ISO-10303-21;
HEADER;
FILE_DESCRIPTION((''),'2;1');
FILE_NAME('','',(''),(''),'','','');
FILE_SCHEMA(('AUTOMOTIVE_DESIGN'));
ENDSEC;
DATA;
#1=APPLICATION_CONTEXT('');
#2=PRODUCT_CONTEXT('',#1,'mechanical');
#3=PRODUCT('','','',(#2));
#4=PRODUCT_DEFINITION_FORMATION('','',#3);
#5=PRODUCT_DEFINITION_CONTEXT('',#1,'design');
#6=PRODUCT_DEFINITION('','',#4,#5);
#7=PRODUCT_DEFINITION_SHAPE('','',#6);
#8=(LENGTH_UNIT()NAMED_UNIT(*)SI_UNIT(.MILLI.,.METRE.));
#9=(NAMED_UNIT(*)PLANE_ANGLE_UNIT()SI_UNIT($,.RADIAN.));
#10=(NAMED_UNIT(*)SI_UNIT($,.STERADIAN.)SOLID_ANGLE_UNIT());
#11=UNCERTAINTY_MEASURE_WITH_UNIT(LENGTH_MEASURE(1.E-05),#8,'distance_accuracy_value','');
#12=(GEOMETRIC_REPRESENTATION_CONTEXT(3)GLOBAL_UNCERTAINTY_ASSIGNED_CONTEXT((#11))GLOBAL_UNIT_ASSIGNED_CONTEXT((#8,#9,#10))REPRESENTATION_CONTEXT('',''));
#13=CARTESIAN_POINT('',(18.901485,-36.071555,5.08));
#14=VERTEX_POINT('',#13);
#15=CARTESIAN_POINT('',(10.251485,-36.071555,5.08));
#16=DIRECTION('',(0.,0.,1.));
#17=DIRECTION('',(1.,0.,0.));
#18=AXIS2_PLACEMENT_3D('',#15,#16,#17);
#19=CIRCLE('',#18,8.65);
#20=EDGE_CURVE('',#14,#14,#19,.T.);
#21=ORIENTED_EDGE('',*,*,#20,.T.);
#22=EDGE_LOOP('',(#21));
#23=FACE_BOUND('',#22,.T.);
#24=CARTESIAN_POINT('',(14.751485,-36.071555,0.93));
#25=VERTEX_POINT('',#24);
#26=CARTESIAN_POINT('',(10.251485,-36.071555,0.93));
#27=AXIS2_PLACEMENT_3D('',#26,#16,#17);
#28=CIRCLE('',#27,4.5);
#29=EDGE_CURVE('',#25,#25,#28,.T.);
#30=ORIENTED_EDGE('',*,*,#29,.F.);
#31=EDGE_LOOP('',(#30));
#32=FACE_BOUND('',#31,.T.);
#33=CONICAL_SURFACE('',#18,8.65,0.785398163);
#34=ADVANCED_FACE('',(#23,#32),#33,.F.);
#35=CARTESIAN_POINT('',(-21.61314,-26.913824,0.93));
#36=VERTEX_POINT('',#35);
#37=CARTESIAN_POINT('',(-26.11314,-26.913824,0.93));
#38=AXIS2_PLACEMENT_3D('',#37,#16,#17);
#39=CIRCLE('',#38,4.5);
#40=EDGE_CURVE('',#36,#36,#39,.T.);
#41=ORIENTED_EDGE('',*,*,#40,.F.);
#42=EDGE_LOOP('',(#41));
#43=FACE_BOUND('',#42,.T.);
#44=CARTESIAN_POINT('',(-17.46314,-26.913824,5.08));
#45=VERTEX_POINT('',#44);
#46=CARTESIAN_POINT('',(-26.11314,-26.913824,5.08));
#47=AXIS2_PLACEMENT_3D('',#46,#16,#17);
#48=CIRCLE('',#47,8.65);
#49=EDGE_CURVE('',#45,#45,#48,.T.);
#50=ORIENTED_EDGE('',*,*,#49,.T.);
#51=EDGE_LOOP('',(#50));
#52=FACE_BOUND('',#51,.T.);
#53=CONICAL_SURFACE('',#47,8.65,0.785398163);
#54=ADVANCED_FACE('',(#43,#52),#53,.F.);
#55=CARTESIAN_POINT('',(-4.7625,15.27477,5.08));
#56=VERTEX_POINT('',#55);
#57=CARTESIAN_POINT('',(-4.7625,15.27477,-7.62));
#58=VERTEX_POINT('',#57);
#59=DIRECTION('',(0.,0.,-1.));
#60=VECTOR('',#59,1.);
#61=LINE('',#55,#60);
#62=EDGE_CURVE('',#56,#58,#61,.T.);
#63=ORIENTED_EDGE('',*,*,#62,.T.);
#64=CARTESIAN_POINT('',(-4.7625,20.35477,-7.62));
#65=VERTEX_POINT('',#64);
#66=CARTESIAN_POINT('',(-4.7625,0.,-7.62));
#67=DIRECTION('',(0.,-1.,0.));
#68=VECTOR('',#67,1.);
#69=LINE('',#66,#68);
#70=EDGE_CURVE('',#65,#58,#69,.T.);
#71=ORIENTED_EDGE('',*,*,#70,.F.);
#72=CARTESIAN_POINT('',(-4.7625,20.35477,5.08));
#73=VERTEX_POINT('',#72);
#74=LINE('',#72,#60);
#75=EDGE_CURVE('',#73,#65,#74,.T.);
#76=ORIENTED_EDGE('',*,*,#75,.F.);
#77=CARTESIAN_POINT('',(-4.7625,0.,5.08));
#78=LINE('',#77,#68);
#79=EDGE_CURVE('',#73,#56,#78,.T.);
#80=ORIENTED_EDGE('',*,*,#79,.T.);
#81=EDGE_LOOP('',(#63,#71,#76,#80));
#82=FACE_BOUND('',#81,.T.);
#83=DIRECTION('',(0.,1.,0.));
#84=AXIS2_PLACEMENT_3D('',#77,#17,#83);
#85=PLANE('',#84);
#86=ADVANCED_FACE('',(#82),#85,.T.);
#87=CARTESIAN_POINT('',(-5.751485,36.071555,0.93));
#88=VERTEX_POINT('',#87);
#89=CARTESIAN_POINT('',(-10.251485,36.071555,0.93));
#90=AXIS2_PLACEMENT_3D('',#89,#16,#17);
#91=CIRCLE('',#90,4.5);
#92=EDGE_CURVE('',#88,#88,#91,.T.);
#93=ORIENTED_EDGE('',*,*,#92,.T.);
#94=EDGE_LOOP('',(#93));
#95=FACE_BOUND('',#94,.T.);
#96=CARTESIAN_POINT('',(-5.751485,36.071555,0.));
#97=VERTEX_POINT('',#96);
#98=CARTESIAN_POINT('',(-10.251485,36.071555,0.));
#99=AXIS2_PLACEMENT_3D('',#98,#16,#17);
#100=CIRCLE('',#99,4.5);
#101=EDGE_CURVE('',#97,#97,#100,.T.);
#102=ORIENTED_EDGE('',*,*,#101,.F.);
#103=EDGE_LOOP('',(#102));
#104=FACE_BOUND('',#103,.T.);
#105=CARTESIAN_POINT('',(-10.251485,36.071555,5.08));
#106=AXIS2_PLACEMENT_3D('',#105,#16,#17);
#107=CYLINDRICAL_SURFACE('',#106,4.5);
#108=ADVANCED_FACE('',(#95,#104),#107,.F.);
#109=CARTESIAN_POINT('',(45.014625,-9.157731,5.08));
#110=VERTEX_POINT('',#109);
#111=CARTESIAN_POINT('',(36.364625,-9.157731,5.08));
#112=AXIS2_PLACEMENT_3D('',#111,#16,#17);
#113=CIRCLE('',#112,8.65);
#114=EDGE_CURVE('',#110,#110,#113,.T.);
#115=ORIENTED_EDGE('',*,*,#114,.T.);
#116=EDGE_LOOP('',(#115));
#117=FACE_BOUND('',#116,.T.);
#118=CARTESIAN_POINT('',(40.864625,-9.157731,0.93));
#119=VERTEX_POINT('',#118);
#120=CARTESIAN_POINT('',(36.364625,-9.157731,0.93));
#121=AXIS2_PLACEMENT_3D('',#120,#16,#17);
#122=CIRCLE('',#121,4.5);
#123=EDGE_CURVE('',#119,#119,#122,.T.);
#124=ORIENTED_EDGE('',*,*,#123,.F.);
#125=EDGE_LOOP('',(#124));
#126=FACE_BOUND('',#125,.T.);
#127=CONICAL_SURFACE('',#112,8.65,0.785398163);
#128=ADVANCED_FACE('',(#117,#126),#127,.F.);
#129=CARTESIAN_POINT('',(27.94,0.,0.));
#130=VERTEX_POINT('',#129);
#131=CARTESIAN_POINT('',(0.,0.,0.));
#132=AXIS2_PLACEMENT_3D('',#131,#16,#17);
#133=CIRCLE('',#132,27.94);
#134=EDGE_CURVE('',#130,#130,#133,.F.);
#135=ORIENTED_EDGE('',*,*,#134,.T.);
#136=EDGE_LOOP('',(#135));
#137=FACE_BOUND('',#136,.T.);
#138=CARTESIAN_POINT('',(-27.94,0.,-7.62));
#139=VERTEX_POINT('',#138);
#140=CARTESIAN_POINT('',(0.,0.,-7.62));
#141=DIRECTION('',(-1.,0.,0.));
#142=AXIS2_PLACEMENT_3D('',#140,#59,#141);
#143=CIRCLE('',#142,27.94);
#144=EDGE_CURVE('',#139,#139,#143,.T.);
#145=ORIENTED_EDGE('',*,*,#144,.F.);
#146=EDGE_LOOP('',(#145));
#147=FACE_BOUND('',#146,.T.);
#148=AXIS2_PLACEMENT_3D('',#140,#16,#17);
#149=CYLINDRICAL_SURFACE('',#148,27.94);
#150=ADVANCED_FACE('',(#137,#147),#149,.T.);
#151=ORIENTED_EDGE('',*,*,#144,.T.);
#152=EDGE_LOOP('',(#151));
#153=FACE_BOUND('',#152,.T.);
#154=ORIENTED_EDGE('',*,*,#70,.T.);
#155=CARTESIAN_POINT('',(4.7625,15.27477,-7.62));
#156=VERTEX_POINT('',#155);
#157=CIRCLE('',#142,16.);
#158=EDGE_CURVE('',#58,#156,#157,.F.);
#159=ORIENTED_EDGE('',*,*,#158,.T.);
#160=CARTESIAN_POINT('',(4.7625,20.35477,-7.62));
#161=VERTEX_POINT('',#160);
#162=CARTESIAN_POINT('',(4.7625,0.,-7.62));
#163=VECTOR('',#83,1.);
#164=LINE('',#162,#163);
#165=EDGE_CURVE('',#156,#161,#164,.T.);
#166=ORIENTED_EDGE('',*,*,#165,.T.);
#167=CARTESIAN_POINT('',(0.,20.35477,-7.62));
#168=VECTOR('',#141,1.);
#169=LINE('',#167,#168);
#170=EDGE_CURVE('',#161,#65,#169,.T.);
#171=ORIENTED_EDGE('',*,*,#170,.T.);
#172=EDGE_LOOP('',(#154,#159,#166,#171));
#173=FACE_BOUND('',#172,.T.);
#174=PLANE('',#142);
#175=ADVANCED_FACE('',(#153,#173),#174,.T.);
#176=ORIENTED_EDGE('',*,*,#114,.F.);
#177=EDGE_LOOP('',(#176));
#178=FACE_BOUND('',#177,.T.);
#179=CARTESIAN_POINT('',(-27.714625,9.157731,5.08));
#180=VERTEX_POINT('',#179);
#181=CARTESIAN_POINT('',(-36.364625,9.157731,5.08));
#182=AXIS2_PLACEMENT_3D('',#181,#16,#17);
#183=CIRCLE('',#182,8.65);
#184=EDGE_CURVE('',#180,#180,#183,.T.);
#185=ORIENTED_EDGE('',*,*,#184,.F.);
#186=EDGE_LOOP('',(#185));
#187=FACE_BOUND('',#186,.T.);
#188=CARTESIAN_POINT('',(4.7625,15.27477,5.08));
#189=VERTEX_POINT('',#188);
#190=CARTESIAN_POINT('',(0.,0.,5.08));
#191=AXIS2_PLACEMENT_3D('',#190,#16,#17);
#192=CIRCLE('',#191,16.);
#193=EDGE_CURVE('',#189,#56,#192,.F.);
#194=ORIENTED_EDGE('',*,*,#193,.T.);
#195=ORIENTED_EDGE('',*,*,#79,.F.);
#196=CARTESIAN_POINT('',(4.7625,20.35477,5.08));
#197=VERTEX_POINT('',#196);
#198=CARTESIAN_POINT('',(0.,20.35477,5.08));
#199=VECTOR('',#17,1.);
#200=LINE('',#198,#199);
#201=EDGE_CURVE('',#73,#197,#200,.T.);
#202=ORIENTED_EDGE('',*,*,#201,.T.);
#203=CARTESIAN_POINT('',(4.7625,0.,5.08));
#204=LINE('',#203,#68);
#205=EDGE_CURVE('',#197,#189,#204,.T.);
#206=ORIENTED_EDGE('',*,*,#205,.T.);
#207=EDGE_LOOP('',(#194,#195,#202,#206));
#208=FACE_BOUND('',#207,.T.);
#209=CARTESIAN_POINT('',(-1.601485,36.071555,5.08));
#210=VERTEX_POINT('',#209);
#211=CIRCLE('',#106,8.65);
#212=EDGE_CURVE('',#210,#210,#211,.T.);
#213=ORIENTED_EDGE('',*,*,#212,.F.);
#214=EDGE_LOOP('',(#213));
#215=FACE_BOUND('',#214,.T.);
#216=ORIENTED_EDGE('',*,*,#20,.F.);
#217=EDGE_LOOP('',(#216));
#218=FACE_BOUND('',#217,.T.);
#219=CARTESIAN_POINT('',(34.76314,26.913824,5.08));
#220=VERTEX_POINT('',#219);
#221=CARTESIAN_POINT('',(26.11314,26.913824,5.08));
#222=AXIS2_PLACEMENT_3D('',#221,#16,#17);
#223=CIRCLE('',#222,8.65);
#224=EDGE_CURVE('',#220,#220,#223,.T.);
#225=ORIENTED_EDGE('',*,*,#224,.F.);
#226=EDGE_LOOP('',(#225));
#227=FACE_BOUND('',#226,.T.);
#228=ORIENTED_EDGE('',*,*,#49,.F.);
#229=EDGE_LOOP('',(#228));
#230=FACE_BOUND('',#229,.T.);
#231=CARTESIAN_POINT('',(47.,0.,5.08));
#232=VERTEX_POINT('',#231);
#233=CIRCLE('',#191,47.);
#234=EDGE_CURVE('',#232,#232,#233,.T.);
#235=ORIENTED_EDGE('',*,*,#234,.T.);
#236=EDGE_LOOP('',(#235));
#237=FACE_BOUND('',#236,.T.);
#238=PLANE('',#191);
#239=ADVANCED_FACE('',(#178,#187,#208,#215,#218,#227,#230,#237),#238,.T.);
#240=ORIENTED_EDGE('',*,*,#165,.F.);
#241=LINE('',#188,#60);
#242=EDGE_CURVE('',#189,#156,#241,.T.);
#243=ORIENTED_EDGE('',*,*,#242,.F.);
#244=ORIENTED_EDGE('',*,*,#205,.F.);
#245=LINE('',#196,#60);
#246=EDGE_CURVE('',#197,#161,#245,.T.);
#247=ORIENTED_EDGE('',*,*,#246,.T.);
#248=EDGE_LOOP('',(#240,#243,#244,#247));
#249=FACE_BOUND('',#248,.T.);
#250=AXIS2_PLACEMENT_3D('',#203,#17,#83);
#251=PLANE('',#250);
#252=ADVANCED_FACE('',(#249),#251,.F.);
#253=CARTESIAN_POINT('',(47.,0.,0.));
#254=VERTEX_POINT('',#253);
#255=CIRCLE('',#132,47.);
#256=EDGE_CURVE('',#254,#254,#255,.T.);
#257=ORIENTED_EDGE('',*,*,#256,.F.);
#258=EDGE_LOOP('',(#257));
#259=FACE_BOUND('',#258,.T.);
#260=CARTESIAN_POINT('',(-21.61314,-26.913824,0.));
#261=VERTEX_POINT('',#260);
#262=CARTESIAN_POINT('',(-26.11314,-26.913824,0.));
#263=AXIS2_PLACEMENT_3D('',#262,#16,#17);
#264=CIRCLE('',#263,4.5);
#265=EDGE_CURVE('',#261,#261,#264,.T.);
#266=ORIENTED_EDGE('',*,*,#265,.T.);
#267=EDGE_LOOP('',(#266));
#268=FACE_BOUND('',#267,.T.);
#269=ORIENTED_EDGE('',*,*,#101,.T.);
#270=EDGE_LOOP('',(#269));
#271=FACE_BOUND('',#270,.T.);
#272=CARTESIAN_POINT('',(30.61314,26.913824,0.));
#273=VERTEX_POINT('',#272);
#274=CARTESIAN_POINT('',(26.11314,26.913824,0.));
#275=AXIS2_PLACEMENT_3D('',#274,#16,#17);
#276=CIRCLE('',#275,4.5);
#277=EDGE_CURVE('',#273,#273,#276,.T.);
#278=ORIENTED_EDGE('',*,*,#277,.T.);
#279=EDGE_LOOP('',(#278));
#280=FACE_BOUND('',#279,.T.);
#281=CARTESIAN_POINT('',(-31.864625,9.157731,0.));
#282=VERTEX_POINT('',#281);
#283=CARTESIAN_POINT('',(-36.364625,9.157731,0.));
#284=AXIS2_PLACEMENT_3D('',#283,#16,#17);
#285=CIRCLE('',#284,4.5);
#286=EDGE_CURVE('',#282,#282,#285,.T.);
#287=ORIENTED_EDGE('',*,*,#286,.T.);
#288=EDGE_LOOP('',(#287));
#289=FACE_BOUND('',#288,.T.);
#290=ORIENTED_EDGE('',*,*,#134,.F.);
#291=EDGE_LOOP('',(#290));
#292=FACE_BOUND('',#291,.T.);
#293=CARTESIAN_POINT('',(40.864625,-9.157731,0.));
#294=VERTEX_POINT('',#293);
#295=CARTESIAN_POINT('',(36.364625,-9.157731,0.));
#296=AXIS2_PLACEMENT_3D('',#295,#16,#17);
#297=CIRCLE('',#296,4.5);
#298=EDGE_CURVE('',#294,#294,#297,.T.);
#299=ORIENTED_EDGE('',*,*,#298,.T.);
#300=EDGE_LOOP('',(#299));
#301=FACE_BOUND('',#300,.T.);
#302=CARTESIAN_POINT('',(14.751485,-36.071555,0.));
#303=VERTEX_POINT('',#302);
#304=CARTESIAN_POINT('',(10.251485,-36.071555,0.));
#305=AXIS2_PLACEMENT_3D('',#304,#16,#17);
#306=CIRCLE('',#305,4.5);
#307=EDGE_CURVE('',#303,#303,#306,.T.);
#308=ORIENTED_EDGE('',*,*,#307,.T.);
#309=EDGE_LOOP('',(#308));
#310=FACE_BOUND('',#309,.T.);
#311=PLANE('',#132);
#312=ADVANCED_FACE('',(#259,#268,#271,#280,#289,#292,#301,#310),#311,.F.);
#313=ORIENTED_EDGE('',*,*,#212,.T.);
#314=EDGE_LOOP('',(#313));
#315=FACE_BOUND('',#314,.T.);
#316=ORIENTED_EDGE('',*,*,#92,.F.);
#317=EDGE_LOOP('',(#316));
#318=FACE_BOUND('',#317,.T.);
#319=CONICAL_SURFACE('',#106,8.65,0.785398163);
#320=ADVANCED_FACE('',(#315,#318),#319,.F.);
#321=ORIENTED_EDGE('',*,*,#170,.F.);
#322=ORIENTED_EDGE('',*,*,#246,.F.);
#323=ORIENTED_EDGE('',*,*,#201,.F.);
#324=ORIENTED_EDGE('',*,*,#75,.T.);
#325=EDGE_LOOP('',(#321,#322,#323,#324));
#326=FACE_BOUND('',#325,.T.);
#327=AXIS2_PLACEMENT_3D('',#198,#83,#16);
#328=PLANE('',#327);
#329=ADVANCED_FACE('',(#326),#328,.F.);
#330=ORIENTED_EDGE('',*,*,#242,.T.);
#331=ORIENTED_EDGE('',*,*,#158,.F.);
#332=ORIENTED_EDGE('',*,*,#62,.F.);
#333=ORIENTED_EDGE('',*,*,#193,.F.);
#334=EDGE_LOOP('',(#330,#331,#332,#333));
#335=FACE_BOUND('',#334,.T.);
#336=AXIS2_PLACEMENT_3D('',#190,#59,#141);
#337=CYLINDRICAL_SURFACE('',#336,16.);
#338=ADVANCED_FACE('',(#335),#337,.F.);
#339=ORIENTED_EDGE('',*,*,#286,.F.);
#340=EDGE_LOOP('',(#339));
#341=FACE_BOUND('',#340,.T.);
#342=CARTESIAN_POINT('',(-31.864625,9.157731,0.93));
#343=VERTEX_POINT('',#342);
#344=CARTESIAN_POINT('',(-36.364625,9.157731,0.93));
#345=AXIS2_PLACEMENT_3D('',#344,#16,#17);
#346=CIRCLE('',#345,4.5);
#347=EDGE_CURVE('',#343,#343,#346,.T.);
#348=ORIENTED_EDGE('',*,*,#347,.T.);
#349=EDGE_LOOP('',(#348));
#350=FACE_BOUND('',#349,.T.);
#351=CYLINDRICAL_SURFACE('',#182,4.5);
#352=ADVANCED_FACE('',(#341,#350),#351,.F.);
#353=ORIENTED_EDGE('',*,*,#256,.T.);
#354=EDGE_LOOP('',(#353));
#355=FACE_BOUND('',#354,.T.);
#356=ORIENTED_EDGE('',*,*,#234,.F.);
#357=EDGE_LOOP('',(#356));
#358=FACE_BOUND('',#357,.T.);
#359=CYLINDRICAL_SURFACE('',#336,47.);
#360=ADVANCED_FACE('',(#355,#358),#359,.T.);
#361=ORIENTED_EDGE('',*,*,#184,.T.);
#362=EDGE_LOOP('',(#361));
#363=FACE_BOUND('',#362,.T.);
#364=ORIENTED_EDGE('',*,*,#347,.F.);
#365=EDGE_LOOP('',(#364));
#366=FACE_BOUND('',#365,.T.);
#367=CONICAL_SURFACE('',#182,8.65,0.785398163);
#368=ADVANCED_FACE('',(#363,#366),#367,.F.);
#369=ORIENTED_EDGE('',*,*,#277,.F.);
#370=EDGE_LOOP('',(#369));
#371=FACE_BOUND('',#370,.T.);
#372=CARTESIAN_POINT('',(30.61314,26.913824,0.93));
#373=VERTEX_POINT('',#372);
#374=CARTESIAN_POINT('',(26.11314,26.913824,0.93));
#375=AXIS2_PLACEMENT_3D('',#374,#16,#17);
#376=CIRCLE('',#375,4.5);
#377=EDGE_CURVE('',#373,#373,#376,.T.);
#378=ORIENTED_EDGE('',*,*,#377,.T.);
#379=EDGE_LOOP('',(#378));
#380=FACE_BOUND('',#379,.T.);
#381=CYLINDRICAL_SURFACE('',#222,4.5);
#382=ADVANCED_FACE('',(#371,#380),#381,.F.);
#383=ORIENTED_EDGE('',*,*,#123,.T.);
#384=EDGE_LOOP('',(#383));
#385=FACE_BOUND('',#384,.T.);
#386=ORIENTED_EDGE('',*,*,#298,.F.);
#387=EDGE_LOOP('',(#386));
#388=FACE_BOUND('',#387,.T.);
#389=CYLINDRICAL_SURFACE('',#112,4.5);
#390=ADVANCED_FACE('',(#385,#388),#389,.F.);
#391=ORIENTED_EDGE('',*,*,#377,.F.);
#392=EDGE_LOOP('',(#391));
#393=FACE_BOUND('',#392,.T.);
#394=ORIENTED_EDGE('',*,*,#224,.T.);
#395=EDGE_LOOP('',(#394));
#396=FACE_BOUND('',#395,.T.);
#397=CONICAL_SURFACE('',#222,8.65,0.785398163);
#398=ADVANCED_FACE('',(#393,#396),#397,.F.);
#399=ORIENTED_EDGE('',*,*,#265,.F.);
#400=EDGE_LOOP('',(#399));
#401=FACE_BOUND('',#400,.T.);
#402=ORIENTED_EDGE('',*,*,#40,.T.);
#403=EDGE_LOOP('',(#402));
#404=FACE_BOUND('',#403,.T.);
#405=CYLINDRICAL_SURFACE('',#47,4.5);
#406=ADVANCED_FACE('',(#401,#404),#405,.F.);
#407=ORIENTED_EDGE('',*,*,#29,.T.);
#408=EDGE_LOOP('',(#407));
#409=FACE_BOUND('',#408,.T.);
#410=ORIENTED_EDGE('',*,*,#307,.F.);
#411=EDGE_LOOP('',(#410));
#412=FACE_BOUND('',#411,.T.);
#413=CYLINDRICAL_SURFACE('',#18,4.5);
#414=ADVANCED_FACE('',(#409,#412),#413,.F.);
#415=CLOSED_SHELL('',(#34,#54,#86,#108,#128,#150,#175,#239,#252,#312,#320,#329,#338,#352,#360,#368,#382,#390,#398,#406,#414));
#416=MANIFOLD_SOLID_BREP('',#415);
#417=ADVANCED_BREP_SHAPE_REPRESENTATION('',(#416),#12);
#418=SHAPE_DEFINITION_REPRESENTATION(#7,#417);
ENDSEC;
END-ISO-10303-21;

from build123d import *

# Parameters (mm, degrees)
SKETCH1_R                                      = 47
BOSS_EXTRUDE1_DEPTH                            = 5.08
CSK_FOR_M8_FLAT_HEAD_MACHINE_SCREW1_AT_2_COUNT = 2
CSK_FOR_M8_FLAT_HEAD_MACHINE_SCREW1_AT_2_PITCH = 37.5
CSK_FOR_M8_FLAT_HEAD_MACHINE_SCREW1_AT_3_COUNT = 2
CSK_FOR_M8_FLAT_HEAD_MACHINE_SCREW1_AT_3_PITCH = 37.5
CSK_FOR_M8_FLAT_HEAD_MACHINE_SCREW1_AT_4_COUNT = 2
CSK_FOR_M8_FLAT_HEAD_MACHINE_SCREW1_AT_4_PITCH = 64.951905284
CSK_FOR_M8_FLAT_HEAD_MACHINE_SCREW1_AT_5_COUNT = 2
CSK_FOR_M8_FLAT_HEAD_MACHINE_SCREW1_AT_5_PITCH = 75
CSK_FOR_M8_FLAT_HEAD_MACHINE_SCREW1_AT_6_COUNT = 2
CSK_FOR_M8_FLAT_HEAD_MACHINE_SCREW1_AT_6_PITCH = 64.951905284
SKETCH11_R                                     = 27.94
BOSS_EXTRUDE2_DEPTH                            = 7.62


with BuildPart() as part:
    # Sketch1 → Boss-Extrude1 (new body)
    with BuildSketch(Plane.XY):
        Circle(SKETCH1_R)
        with BuildLine():
            Line((-4.7625, 20.354769843), (-4.7625, 15.274769843))
            ThreePointArc((-4.7625, 15.274769843), (0, -16), (4.7625, 15.274769843))
            Line((4.7625, 15.274769843), (4.7625, 20.354769843))
            Line((4.7625, 20.354769843), (-4.7625, 20.354769843))
        make_face(mode=Mode.SUBTRACT)
    extrude(amount=BOSS_EXTRUDE1_DEPTH)

    # Sketch10 → CSK for M8 Flat Head Machine Screw1 (revolve, cut)
    with BuildSketch(Plane(origin=(-10.251484687, 36.071554745, 5.08), x_dir=(0, -1, 0), z_dir=(1, 0, 0))):
        Polygon((0, 0), (0, 5.08), (4.5, 5.08), (4.5, 4.15), (8.65, 0), align=None)
    csk_for_m8_flat_head_machine_screw1 = revolve(axis=Axis((-10.251484687, 36.071554745, 11.43), (0, 0, -1)), mode=Mode.SUBTRACT)

    # CSK for M8 Flat Head Machine Screw1 at 2: CSK for M8 Flat Head Machine Screw1 ×2
    with Locations(*[Vector(0.969723336, -0.244206166, 0) * (i * CSK_FOR_M8_FLAT_HEAD_MACHINE_SCREW1_AT_2_PITCH) for i in range(1, CSK_FOR_M8_FLAT_HEAD_MACHINE_SCREW1_AT_2_COUNT)]):
        add(csk_for_m8_flat_head_machine_screw1, mode=Mode.SUBTRACT)

    # CSK for M8 Flat Head Machine Screw1 at 3: CSK for M8 Flat Head Machine Screw1 ×2
    with Locations(*[Vector(-0.696350411, -0.717701961, 0) * (i * CSK_FOR_M8_FLAT_HEAD_MACHINE_SCREW1_AT_3_PITCH) for i in range(1, CSK_FOR_M8_FLAT_HEAD_MACHINE_SCREW1_AT_3_COUNT)]):
        add(csk_for_m8_flat_head_machine_screw1, mode=Mode.SUBTRACT)

    # CSK for M8 Flat Head Machine Screw1 at 4: CSK for M8 Flat Head Machine Screw1 ×2
    with Locations(*[Vector(0.717701961, -0.696350411, 0) * (i * CSK_FOR_M8_FLAT_HEAD_MACHINE_SCREW1_AT_4_PITCH) for i in range(1, CSK_FOR_M8_FLAT_HEAD_MACHINE_SCREW1_AT_4_COUNT)]):
        add(csk_for_m8_flat_head_machine_screw1, mode=Mode.SUBTRACT)

    # CSK for M8 Flat Head Machine Screw1 at 5: CSK for M8 Flat Head Machine Screw1 ×2
    with Locations(*[Vector(0.273372925, -0.961908127, 0) * (i * CSK_FOR_M8_FLAT_HEAD_MACHINE_SCREW1_AT_5_PITCH) for i in range(1, CSK_FOR_M8_FLAT_HEAD_MACHINE_SCREW1_AT_5_COUNT)]):
        add(csk_for_m8_flat_head_machine_screw1, mode=Mode.SUBTRACT)

    # CSK for M8 Flat Head Machine Screw1 at 6: CSK for M8 Flat Head Machine Screw1 ×2
    with Locations(*[Vector(-0.244206166, -0.969723336, 0) * (i * CSK_FOR_M8_FLAT_HEAD_MACHINE_SCREW1_AT_6_PITCH) for i in range(1, CSK_FOR_M8_FLAT_HEAD_MACHINE_SCREW1_AT_6_COUNT)]):
        add(csk_for_m8_flat_head_machine_screw1, mode=Mode.SUBTRACT)

    # Sketch11 → Boss-Extrude2 (add)
    with BuildSketch(Plane(origin=(0, 0, 0), x_dir=(-1, 0, 0), z_dir=(0, 0, -1))):
        Circle(SKETCH11_R)
        with BuildLine():
            ThreePointArc((4.7625, 15.274769843), (0, -16), (-4.7625, 15.274769843))
            Line((-4.7625, 15.274769843), (-4.7625, 20.354769843))
            Line((-4.7625, 20.354769843), (4.7625, 20.354769843))
            Line((4.7625, 20.354769843), (4.7625, 15.274769843))
        make_face(mode=Mode.SUBTRACT)
    extrude(amount=BOSS_EXTRUDE2_DEPTH)


solid = part.part
